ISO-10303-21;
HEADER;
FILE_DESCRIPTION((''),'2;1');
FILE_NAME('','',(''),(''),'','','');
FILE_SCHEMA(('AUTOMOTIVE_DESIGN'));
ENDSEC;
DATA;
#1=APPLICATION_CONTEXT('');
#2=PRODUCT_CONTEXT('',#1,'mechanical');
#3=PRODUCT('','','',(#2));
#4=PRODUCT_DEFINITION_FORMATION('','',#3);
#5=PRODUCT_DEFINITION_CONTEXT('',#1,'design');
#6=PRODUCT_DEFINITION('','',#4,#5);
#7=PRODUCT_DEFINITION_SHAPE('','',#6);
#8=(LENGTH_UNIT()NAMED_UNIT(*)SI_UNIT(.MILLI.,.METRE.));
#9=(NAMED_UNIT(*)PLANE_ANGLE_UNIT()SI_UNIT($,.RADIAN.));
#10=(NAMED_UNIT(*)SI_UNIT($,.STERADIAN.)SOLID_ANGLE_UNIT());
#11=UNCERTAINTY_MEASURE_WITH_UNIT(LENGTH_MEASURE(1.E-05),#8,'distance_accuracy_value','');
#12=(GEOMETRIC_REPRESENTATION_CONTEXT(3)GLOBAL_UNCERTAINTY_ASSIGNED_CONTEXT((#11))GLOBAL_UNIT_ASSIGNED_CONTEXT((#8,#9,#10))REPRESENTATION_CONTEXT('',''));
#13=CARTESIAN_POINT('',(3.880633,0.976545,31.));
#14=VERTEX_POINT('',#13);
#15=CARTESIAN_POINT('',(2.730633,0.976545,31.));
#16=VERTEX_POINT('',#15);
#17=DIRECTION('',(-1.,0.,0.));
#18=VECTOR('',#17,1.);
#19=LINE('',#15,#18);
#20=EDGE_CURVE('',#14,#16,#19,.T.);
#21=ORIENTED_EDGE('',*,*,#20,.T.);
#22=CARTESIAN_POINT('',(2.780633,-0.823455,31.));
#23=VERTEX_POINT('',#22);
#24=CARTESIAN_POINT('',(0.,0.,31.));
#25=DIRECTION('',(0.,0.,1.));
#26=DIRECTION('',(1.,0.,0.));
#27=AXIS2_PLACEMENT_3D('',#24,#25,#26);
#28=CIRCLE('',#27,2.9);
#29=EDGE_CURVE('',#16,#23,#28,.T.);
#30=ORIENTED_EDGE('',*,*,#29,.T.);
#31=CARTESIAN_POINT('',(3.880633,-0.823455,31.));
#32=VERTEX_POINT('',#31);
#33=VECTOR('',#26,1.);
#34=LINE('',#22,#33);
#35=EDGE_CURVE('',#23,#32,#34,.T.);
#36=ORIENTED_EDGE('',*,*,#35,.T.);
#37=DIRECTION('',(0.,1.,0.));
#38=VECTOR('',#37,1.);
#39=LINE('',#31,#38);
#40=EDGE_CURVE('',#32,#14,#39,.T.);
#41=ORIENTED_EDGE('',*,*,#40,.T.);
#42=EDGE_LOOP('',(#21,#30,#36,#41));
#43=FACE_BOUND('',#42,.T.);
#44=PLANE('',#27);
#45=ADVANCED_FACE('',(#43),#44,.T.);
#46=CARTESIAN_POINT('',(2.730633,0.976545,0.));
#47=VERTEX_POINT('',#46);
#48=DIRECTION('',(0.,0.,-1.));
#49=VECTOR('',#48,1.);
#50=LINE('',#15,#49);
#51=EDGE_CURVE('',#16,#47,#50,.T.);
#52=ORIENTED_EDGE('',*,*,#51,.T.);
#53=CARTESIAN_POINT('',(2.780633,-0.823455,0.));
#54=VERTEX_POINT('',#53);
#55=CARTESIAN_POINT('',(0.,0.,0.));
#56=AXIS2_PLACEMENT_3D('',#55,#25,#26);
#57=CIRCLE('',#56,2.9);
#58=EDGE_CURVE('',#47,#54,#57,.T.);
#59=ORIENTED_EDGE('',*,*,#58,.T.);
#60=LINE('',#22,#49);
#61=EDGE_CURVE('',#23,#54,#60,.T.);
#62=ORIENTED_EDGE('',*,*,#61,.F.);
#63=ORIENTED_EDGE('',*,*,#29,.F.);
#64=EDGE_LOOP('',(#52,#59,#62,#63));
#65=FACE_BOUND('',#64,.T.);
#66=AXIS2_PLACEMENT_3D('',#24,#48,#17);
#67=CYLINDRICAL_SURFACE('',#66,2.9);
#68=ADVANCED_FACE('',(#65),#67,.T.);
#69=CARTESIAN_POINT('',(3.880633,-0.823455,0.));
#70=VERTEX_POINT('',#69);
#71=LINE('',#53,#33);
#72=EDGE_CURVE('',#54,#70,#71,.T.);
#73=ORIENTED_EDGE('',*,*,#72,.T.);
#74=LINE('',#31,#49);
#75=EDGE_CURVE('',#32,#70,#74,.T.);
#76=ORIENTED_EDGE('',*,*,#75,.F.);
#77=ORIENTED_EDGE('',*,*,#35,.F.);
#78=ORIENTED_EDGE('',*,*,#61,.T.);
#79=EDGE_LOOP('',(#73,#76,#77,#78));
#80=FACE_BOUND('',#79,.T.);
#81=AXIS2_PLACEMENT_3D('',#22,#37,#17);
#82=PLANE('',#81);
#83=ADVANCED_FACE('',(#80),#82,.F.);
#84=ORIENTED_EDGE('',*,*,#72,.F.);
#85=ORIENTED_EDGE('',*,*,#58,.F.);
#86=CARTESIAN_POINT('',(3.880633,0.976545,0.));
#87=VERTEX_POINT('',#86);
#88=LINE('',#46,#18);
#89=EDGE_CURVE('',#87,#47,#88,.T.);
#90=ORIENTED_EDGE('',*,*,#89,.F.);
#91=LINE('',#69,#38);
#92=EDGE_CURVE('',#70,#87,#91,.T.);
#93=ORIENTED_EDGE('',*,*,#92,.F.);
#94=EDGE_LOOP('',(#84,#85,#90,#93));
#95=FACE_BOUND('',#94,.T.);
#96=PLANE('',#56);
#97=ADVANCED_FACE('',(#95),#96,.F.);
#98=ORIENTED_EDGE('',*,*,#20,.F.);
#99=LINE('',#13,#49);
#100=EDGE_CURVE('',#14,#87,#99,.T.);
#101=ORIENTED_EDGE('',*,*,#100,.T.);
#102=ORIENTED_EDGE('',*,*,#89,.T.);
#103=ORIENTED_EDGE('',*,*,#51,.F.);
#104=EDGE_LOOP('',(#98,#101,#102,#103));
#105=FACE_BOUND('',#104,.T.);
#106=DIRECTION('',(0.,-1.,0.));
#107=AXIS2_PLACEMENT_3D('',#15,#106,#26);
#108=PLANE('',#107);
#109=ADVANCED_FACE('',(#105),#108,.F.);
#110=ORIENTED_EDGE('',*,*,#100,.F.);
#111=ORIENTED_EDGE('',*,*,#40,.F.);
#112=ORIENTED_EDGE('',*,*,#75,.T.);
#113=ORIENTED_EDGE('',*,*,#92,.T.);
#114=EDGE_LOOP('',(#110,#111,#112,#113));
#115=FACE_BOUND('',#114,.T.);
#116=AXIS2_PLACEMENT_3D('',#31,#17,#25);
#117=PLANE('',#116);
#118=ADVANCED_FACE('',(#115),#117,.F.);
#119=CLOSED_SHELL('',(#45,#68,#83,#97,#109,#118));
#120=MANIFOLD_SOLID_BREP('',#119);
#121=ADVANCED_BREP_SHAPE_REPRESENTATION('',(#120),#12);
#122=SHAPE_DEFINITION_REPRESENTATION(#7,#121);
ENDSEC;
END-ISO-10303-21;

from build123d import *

# Parameters (mm, degrees)
BOSS_EXTRUDE1_DEPTH = 31


with BuildPart() as part:
    # Sketch1 → Boss-Extrude1 (new body)
    with BuildSketch(Plane(origin=(0, 0, 0), x_dir=(0, 1, 0), z_dir=(0, 0, 1))):
        with BuildLine():
            Line((-0.823454626, -2.780633467), (-0.823454626, -3.880633467))
            Line((-0.823454626, -3.880633467), (0.976545374, -3.880633467))
            Line((0.976545374, -3.880633467), (0.976545374, -2.730633467))
            ThreePointArc((0.976545374, -2.730633467), (-0.080524495, 2.89888182), (-0.823454626, -2.780633467))
        make_face()
    extrude(amount=BOSS_EXTRUDE1_DEPTH)


solid = part.part
